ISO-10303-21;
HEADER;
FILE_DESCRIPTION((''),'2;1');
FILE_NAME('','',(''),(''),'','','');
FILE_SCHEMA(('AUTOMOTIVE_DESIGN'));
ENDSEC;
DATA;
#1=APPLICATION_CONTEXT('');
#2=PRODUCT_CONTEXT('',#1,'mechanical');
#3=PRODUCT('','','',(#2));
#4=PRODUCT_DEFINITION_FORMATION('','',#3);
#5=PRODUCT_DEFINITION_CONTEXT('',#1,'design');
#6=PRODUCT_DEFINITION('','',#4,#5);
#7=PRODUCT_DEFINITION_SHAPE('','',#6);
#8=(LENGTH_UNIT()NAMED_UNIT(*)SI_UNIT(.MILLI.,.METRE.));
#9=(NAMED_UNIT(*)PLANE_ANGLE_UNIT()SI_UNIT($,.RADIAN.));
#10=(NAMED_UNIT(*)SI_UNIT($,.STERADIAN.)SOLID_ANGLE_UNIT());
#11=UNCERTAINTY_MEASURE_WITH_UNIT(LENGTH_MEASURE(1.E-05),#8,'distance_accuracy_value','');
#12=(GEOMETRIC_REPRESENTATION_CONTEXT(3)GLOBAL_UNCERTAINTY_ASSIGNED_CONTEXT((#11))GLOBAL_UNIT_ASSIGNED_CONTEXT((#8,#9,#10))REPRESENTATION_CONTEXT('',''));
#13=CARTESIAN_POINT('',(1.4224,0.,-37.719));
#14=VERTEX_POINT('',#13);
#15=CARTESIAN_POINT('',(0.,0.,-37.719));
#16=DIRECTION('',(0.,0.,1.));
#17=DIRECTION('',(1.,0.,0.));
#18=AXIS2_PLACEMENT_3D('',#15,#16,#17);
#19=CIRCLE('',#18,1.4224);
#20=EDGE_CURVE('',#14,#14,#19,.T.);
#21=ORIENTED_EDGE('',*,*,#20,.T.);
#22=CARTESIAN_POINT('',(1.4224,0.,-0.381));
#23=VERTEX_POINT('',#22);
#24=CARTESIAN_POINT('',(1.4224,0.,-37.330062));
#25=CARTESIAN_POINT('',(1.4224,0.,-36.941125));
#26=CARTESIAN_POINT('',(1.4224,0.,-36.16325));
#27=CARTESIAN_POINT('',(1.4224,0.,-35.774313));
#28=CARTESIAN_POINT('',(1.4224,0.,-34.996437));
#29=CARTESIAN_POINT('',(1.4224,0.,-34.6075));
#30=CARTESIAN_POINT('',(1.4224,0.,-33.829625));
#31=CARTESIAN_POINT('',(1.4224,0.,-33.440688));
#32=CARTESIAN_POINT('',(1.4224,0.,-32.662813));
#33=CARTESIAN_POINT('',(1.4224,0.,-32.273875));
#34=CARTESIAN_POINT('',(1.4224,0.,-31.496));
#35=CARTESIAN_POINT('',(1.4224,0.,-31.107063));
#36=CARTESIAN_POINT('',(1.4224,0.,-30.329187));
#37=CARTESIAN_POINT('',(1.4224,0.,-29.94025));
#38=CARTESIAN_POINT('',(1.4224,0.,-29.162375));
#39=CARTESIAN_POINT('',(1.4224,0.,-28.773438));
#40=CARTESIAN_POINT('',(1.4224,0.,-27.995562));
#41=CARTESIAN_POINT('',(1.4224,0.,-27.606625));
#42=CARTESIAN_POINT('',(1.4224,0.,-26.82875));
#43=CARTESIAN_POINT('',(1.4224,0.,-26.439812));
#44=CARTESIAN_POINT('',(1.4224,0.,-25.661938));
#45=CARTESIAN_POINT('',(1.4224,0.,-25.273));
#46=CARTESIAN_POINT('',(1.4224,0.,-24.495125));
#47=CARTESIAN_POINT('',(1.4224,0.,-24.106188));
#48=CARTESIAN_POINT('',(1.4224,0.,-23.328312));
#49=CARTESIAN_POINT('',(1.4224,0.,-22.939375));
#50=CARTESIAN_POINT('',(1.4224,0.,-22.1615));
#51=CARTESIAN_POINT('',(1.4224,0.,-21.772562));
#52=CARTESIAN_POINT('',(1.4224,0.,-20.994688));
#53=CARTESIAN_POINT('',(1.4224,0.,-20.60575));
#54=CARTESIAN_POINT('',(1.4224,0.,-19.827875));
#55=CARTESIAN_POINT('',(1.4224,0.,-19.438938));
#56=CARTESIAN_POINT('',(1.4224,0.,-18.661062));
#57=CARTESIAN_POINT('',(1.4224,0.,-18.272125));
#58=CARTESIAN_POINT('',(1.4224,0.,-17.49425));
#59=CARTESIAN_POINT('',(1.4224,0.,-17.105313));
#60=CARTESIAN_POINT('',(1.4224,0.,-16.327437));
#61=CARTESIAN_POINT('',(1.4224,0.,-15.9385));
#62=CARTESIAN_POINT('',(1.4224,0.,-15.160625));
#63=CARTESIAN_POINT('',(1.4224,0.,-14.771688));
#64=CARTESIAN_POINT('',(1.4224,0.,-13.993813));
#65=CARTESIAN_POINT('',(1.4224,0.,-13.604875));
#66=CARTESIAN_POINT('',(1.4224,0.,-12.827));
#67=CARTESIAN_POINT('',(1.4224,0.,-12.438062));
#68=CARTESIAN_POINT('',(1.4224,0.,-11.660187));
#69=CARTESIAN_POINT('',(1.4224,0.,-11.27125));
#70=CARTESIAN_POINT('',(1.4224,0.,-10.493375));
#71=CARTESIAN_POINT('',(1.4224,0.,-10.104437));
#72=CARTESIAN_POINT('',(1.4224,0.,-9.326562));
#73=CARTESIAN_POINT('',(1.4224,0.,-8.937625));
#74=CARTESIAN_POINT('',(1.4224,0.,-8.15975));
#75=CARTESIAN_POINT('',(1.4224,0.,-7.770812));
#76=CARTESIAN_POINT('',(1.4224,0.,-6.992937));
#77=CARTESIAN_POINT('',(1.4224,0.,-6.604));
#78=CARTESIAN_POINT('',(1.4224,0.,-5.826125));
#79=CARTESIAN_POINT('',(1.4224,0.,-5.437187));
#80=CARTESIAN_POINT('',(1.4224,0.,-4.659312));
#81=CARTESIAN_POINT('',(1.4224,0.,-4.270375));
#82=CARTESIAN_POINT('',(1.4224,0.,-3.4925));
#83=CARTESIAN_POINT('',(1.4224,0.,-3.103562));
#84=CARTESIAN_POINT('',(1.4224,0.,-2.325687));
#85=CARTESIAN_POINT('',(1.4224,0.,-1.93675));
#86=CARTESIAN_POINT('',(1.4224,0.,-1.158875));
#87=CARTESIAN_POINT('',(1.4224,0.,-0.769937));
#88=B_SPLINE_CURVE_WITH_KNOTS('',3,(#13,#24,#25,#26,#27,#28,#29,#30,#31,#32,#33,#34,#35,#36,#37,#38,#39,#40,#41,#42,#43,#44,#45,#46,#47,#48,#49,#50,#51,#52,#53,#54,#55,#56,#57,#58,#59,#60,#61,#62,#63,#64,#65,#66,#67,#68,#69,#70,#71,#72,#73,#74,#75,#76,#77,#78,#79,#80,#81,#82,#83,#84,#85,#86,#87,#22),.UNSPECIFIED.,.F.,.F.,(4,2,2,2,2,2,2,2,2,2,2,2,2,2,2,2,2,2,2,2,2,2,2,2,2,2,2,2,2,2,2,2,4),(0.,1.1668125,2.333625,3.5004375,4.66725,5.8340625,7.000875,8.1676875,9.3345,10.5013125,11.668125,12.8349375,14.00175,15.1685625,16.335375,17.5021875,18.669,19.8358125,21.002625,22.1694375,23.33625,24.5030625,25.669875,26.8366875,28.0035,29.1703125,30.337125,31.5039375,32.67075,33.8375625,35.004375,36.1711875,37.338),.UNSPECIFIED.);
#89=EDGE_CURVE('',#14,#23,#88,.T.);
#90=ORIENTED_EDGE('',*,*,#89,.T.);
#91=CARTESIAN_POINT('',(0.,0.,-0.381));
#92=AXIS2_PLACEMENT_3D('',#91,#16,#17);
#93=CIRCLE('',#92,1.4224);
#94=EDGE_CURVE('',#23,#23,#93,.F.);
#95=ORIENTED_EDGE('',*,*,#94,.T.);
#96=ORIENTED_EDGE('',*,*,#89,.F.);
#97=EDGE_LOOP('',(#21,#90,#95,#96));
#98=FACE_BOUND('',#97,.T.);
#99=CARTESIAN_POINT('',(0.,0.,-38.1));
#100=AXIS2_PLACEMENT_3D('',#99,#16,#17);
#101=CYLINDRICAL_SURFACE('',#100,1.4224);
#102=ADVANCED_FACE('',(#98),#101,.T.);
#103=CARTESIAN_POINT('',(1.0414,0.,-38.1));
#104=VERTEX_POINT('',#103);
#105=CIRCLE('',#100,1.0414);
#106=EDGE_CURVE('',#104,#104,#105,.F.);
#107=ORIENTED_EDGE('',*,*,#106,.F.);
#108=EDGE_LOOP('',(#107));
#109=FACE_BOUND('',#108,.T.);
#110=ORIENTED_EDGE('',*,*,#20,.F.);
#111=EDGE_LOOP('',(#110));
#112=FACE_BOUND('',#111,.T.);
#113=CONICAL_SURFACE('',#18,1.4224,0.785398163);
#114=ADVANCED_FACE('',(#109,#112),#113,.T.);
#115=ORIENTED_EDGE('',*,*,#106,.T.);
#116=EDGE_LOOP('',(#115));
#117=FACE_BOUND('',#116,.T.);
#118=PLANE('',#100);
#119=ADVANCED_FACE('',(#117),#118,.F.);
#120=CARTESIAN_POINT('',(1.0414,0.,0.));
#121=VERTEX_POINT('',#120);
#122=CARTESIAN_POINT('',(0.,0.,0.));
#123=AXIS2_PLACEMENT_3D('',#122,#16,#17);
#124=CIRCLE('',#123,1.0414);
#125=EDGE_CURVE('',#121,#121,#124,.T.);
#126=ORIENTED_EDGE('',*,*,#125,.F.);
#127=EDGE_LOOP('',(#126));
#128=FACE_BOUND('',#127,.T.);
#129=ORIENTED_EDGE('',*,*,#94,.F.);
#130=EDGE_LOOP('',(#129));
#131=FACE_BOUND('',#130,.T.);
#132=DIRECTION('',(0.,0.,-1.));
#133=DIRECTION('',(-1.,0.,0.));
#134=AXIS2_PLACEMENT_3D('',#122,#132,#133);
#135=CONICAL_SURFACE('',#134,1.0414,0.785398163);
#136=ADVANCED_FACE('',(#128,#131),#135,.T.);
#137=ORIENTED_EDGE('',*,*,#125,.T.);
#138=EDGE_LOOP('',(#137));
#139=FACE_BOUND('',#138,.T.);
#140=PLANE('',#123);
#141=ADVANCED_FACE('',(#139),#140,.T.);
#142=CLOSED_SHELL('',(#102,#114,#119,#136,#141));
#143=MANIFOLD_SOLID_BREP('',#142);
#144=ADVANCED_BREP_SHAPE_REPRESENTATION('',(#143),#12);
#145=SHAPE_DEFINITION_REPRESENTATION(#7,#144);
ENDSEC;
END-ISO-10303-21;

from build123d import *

# Parameters (mm, degrees)
SKETCH1_R      = 1.4224
EXTRUDE1_DEPTH = 38.1
CHAMFER1_SIZE  = 0.381


with BuildPart() as part:
    # Sketch1 → Extrude1 (new body)
    with BuildSketch(Plane.XY):
        Circle(SKETCH1_R)
    extrude(amount=-EXTRUDE1_DEPTH)

    # Chamfer1
    chamfer1_edges = [part.edges().sort_by_distance(p)[0] for p in [
        (-1.4224, 0, 0),
        (-1.4224, 0, -38.1),
    ]]
    chamfer(chamfer1_edges, length=CHAMFER1_SIZE)


solid = part.part
